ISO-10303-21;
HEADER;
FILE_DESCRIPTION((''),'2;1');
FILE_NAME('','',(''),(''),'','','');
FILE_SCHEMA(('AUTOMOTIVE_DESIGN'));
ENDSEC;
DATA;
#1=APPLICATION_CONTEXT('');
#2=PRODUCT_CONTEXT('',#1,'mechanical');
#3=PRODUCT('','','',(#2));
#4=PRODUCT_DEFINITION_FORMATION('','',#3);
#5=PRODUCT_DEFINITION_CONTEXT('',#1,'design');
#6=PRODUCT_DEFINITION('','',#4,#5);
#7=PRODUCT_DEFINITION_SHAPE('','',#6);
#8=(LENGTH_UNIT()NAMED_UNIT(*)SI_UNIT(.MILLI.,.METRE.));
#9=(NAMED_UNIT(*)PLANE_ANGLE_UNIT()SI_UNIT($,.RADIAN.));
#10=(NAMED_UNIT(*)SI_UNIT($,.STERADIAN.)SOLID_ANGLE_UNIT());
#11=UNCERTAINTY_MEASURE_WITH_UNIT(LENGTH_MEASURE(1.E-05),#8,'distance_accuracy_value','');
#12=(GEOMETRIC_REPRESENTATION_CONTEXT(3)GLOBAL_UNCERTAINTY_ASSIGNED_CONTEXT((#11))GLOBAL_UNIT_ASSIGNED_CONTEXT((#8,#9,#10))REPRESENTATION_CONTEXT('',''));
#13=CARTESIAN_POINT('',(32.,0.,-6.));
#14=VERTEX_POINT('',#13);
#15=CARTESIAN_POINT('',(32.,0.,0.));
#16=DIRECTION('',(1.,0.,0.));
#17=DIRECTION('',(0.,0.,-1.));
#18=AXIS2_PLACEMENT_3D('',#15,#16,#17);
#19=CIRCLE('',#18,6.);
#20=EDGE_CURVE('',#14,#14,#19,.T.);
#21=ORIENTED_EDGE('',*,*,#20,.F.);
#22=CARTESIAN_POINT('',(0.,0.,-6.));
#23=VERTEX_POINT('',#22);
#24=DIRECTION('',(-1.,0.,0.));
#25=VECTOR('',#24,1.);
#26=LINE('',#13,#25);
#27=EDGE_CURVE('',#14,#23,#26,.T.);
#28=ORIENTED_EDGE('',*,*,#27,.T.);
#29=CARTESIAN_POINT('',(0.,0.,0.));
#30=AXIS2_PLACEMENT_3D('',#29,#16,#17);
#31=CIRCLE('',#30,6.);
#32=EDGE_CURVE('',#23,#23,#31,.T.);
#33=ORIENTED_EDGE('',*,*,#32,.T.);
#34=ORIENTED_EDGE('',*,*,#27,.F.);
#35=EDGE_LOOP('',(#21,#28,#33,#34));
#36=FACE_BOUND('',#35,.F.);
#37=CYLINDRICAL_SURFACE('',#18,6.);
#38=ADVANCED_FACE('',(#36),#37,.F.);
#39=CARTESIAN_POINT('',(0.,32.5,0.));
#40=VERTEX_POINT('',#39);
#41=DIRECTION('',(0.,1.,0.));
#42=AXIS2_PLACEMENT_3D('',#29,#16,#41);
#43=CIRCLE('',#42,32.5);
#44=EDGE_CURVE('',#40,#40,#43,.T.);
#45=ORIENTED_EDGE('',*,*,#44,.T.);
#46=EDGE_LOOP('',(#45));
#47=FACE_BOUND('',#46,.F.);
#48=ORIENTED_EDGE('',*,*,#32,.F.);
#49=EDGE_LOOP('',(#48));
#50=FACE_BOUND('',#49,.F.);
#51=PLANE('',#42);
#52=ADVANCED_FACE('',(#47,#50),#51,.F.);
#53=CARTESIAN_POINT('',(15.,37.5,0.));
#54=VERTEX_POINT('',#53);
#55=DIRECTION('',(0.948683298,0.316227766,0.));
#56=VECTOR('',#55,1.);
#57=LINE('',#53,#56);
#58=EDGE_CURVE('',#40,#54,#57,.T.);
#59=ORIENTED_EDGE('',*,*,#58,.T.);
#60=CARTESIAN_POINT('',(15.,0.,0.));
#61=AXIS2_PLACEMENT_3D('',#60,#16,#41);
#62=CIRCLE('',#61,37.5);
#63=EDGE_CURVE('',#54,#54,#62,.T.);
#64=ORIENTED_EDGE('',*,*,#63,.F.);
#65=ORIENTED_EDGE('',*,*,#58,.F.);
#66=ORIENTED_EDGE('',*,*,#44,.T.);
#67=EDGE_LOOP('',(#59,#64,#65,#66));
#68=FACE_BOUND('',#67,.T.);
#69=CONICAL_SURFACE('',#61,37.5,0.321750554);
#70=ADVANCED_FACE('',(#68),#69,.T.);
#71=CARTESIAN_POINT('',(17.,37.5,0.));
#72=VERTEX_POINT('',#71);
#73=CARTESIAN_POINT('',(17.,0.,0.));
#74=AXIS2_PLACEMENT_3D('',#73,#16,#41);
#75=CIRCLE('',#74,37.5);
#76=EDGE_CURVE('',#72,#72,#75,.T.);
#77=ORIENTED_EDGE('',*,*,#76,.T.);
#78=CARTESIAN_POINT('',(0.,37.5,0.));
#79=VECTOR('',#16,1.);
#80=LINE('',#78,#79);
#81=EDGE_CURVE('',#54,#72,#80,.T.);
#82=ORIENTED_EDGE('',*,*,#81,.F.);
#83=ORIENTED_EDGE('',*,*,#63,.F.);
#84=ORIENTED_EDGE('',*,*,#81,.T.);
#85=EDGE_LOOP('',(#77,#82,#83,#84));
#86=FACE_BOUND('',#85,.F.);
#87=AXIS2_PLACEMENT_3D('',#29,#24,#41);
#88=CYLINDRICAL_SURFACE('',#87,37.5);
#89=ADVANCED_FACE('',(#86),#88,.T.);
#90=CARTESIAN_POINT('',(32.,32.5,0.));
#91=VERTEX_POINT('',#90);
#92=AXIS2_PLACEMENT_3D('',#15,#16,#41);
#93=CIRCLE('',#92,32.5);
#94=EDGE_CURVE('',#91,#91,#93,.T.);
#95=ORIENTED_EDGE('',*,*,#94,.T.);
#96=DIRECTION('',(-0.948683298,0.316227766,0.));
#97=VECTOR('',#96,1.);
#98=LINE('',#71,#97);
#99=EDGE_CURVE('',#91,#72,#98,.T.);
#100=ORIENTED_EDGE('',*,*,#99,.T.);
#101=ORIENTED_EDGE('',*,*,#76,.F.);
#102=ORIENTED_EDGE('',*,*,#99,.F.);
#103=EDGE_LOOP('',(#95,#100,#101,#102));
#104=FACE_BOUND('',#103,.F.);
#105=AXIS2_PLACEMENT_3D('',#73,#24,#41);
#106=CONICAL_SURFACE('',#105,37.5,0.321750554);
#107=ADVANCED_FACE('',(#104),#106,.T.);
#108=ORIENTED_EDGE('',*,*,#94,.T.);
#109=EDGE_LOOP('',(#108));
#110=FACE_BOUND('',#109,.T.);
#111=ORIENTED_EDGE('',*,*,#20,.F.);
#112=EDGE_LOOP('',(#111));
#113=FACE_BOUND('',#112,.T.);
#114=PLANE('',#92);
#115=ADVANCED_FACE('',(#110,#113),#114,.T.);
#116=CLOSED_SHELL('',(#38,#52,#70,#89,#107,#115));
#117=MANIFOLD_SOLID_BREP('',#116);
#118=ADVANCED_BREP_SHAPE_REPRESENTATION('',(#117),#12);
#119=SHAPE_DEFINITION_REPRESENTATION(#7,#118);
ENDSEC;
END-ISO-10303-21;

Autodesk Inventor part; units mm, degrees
ref_plane "YZ Plane" through (0, 0, 0) normal (1, 0, 0) x (0, 1, 0)
ref_plane "XZ Plane" through (0, 0, 0) normal (0, 1, 0) x (-1, 0, 0)
ref_plane "XY Plane" through (0, 0, 0) normal (0, 0, 1) x (1, 0, 0)
sketch "스케치1" plane through (0, 0, 0) normal (1, 0, 0) x (0, 1, 0)
  circle A0 centre (0, 0) radius 37.5
  dimension "d0" = 75
extrude "돌출1" add sketch "스케치1" along normal blind 32
chamfer "모따기1" distance 5 distance2 15 1 edges at (32, -37.5, 0) measured on face at (32, 9.7729, -7.7936)
chamfer "모따기2" distance 5 distance2 15 1 edges at (0, -37.5, 0) measured on face at (0, 9.7729, -7.7936)
sketch "스케치2" plane through (32, 0, 0) normal (1, 0, 0) x (0, 0, -1)
  circle A0 centre (0, 0) radius 6
  dimension "d9" = 12
extrude "돌출2" cut sketch "스케치2" against normal blind 32
properties part number "Part_Rubber" material "고무"
